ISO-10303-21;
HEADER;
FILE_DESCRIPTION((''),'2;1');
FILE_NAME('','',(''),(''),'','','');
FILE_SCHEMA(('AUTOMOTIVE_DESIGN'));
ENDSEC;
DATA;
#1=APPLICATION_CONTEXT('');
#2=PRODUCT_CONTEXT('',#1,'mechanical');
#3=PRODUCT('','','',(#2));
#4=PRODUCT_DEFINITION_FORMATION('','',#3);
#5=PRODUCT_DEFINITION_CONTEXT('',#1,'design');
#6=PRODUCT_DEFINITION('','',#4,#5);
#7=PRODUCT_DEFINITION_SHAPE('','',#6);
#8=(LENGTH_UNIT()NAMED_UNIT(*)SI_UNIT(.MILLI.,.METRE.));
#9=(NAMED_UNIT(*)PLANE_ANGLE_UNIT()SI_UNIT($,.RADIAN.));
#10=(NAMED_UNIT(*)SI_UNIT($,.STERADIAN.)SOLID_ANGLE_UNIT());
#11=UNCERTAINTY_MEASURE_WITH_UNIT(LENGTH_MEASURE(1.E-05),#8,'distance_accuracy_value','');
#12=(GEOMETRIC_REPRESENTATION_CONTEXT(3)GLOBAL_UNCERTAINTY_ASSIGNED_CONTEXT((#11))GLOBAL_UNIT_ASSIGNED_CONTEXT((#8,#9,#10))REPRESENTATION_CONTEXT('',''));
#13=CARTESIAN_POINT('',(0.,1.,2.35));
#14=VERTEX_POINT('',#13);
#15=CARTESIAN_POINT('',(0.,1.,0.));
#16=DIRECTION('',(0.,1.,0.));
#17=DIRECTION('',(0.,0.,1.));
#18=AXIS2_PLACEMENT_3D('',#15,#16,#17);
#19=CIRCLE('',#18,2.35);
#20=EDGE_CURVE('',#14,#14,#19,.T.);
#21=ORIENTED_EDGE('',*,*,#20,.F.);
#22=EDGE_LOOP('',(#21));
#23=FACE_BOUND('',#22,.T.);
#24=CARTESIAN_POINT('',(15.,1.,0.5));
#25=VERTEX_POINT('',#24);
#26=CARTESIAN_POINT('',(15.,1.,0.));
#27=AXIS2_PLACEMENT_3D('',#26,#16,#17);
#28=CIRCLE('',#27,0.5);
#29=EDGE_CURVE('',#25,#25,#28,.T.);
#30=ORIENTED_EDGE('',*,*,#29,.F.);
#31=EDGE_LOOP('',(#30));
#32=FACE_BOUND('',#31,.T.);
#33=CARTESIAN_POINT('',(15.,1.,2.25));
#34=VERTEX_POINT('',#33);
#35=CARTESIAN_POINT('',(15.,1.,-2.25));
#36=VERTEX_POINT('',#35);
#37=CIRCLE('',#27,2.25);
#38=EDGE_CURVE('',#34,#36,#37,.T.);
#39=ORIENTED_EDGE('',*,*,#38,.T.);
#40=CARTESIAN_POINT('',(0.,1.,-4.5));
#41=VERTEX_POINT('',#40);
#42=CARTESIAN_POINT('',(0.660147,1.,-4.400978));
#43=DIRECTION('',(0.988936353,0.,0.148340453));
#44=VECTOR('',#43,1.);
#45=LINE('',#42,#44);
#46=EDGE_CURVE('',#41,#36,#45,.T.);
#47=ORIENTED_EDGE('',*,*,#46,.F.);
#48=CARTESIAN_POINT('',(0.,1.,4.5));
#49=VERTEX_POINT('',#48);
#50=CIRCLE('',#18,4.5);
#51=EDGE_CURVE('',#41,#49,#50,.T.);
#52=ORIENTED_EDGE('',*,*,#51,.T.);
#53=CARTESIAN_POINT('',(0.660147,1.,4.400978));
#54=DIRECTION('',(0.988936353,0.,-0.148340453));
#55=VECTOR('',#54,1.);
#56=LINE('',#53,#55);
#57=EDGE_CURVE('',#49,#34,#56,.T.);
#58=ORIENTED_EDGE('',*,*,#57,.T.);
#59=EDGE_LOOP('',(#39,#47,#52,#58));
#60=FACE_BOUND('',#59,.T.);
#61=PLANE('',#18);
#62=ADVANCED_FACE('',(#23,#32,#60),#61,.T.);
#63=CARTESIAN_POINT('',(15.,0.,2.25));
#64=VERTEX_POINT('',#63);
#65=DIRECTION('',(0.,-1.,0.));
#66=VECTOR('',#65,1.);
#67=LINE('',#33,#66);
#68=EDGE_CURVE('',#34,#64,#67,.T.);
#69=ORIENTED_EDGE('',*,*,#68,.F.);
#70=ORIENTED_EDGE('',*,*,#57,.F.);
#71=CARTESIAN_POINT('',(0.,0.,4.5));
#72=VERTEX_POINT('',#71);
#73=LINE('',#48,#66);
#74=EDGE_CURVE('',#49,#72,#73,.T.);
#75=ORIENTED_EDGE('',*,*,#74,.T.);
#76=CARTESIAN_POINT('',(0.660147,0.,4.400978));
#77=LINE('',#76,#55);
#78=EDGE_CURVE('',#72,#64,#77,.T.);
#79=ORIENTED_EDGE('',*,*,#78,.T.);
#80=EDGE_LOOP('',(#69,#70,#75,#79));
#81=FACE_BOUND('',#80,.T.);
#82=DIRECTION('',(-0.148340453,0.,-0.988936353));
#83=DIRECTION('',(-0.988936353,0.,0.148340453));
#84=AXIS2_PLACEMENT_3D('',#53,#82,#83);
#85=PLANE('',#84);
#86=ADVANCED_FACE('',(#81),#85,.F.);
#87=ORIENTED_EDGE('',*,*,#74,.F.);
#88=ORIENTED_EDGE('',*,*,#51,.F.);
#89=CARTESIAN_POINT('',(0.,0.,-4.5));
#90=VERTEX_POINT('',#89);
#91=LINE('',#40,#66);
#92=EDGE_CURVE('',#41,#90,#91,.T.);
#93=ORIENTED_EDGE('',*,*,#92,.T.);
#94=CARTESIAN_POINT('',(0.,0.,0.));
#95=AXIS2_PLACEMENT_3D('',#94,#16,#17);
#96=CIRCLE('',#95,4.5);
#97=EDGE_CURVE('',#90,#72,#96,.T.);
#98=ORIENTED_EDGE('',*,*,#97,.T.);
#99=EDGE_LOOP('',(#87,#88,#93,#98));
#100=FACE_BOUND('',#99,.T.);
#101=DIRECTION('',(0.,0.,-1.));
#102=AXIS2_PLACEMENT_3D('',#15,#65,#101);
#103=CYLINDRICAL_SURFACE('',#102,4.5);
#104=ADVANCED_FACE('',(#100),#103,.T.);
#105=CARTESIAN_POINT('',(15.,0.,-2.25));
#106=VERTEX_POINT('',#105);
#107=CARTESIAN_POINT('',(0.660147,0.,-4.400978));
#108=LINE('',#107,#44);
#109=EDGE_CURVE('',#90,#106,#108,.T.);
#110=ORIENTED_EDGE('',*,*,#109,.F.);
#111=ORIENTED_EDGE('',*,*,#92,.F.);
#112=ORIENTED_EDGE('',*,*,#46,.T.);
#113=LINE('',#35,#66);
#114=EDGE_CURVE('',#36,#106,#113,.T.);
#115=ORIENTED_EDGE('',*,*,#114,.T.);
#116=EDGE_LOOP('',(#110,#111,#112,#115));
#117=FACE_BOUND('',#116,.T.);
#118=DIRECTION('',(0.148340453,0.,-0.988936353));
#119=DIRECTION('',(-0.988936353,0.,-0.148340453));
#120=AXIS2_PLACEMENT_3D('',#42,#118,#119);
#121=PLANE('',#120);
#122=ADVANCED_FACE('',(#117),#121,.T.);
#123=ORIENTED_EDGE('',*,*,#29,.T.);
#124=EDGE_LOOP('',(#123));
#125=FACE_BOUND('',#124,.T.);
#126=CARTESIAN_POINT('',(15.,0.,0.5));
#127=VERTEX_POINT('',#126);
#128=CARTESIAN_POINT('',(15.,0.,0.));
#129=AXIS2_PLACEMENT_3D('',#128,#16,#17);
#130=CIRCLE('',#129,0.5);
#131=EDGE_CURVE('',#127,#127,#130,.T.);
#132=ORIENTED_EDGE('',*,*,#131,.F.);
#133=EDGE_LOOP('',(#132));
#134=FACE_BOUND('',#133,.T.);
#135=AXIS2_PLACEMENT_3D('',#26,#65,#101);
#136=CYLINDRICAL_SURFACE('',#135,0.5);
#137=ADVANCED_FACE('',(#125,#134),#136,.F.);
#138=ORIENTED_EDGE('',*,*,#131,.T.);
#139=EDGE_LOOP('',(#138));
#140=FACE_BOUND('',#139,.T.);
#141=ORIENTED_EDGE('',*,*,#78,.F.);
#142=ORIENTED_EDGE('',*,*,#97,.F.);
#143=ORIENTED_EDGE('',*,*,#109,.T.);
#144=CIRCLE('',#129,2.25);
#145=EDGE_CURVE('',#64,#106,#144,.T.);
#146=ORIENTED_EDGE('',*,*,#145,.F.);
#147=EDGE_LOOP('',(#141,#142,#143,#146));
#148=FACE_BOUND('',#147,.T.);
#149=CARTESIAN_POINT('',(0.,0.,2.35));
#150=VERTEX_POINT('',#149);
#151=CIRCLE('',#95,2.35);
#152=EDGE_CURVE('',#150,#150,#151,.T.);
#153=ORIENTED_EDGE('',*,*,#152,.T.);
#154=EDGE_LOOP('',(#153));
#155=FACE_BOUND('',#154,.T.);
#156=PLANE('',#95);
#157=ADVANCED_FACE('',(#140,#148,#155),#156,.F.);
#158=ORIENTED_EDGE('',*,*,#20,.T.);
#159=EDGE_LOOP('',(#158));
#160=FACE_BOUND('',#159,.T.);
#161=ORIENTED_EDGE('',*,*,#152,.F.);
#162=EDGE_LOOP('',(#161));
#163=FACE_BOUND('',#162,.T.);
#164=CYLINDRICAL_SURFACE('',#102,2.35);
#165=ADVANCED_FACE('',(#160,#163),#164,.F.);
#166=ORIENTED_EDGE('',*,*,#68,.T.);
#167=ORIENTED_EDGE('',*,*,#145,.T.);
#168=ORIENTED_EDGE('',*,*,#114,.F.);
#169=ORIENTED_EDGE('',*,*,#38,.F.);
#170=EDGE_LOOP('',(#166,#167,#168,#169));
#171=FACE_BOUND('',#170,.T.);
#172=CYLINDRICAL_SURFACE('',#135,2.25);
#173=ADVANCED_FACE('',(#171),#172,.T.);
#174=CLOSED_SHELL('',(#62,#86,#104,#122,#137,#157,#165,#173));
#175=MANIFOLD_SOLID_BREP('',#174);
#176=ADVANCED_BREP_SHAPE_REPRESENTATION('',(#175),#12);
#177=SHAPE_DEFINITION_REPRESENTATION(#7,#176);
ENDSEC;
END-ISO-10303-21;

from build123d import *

# Parameters (mm, degrees)
SKETCH1_R           = 2.35
SKETCH1_R_2         = 0.5
BOSS_EXTRUDE1_DEPTH = 1


with BuildPart() as part:
    # Sketch1 → Boss-Extrude1 (new body)
    with BuildSketch(Plane(origin=(0, 0, 0), x_dir=(1, 0, 0), z_dir=(0, 1, 0))):
        with BuildLine():
            Line((1.320293399, 4.30195599), (0, 4.5))
            ThreePointArc((0, 4.5), (-4.5, 0), (0, -4.5))
            Line((0, -4.5), (1.320293399, -4.30195599))
            Line((1.320293399, -4.30195599), (15, -2.25))
            ThreePointArc((15, -2.25), (17.25, 0), (15, 2.25))
            Line((15, 2.25), (1.320293399, 4.30195599))
        make_face()
        Circle(SKETCH1_R, mode=Mode.SUBTRACT)
        with Locations((15, 0)):
            Circle(SKETCH1_R_2, mode=Mode.SUBTRACT)
    extrude(amount=BOSS_EXTRUDE1_DEPTH)


solid = part.part
